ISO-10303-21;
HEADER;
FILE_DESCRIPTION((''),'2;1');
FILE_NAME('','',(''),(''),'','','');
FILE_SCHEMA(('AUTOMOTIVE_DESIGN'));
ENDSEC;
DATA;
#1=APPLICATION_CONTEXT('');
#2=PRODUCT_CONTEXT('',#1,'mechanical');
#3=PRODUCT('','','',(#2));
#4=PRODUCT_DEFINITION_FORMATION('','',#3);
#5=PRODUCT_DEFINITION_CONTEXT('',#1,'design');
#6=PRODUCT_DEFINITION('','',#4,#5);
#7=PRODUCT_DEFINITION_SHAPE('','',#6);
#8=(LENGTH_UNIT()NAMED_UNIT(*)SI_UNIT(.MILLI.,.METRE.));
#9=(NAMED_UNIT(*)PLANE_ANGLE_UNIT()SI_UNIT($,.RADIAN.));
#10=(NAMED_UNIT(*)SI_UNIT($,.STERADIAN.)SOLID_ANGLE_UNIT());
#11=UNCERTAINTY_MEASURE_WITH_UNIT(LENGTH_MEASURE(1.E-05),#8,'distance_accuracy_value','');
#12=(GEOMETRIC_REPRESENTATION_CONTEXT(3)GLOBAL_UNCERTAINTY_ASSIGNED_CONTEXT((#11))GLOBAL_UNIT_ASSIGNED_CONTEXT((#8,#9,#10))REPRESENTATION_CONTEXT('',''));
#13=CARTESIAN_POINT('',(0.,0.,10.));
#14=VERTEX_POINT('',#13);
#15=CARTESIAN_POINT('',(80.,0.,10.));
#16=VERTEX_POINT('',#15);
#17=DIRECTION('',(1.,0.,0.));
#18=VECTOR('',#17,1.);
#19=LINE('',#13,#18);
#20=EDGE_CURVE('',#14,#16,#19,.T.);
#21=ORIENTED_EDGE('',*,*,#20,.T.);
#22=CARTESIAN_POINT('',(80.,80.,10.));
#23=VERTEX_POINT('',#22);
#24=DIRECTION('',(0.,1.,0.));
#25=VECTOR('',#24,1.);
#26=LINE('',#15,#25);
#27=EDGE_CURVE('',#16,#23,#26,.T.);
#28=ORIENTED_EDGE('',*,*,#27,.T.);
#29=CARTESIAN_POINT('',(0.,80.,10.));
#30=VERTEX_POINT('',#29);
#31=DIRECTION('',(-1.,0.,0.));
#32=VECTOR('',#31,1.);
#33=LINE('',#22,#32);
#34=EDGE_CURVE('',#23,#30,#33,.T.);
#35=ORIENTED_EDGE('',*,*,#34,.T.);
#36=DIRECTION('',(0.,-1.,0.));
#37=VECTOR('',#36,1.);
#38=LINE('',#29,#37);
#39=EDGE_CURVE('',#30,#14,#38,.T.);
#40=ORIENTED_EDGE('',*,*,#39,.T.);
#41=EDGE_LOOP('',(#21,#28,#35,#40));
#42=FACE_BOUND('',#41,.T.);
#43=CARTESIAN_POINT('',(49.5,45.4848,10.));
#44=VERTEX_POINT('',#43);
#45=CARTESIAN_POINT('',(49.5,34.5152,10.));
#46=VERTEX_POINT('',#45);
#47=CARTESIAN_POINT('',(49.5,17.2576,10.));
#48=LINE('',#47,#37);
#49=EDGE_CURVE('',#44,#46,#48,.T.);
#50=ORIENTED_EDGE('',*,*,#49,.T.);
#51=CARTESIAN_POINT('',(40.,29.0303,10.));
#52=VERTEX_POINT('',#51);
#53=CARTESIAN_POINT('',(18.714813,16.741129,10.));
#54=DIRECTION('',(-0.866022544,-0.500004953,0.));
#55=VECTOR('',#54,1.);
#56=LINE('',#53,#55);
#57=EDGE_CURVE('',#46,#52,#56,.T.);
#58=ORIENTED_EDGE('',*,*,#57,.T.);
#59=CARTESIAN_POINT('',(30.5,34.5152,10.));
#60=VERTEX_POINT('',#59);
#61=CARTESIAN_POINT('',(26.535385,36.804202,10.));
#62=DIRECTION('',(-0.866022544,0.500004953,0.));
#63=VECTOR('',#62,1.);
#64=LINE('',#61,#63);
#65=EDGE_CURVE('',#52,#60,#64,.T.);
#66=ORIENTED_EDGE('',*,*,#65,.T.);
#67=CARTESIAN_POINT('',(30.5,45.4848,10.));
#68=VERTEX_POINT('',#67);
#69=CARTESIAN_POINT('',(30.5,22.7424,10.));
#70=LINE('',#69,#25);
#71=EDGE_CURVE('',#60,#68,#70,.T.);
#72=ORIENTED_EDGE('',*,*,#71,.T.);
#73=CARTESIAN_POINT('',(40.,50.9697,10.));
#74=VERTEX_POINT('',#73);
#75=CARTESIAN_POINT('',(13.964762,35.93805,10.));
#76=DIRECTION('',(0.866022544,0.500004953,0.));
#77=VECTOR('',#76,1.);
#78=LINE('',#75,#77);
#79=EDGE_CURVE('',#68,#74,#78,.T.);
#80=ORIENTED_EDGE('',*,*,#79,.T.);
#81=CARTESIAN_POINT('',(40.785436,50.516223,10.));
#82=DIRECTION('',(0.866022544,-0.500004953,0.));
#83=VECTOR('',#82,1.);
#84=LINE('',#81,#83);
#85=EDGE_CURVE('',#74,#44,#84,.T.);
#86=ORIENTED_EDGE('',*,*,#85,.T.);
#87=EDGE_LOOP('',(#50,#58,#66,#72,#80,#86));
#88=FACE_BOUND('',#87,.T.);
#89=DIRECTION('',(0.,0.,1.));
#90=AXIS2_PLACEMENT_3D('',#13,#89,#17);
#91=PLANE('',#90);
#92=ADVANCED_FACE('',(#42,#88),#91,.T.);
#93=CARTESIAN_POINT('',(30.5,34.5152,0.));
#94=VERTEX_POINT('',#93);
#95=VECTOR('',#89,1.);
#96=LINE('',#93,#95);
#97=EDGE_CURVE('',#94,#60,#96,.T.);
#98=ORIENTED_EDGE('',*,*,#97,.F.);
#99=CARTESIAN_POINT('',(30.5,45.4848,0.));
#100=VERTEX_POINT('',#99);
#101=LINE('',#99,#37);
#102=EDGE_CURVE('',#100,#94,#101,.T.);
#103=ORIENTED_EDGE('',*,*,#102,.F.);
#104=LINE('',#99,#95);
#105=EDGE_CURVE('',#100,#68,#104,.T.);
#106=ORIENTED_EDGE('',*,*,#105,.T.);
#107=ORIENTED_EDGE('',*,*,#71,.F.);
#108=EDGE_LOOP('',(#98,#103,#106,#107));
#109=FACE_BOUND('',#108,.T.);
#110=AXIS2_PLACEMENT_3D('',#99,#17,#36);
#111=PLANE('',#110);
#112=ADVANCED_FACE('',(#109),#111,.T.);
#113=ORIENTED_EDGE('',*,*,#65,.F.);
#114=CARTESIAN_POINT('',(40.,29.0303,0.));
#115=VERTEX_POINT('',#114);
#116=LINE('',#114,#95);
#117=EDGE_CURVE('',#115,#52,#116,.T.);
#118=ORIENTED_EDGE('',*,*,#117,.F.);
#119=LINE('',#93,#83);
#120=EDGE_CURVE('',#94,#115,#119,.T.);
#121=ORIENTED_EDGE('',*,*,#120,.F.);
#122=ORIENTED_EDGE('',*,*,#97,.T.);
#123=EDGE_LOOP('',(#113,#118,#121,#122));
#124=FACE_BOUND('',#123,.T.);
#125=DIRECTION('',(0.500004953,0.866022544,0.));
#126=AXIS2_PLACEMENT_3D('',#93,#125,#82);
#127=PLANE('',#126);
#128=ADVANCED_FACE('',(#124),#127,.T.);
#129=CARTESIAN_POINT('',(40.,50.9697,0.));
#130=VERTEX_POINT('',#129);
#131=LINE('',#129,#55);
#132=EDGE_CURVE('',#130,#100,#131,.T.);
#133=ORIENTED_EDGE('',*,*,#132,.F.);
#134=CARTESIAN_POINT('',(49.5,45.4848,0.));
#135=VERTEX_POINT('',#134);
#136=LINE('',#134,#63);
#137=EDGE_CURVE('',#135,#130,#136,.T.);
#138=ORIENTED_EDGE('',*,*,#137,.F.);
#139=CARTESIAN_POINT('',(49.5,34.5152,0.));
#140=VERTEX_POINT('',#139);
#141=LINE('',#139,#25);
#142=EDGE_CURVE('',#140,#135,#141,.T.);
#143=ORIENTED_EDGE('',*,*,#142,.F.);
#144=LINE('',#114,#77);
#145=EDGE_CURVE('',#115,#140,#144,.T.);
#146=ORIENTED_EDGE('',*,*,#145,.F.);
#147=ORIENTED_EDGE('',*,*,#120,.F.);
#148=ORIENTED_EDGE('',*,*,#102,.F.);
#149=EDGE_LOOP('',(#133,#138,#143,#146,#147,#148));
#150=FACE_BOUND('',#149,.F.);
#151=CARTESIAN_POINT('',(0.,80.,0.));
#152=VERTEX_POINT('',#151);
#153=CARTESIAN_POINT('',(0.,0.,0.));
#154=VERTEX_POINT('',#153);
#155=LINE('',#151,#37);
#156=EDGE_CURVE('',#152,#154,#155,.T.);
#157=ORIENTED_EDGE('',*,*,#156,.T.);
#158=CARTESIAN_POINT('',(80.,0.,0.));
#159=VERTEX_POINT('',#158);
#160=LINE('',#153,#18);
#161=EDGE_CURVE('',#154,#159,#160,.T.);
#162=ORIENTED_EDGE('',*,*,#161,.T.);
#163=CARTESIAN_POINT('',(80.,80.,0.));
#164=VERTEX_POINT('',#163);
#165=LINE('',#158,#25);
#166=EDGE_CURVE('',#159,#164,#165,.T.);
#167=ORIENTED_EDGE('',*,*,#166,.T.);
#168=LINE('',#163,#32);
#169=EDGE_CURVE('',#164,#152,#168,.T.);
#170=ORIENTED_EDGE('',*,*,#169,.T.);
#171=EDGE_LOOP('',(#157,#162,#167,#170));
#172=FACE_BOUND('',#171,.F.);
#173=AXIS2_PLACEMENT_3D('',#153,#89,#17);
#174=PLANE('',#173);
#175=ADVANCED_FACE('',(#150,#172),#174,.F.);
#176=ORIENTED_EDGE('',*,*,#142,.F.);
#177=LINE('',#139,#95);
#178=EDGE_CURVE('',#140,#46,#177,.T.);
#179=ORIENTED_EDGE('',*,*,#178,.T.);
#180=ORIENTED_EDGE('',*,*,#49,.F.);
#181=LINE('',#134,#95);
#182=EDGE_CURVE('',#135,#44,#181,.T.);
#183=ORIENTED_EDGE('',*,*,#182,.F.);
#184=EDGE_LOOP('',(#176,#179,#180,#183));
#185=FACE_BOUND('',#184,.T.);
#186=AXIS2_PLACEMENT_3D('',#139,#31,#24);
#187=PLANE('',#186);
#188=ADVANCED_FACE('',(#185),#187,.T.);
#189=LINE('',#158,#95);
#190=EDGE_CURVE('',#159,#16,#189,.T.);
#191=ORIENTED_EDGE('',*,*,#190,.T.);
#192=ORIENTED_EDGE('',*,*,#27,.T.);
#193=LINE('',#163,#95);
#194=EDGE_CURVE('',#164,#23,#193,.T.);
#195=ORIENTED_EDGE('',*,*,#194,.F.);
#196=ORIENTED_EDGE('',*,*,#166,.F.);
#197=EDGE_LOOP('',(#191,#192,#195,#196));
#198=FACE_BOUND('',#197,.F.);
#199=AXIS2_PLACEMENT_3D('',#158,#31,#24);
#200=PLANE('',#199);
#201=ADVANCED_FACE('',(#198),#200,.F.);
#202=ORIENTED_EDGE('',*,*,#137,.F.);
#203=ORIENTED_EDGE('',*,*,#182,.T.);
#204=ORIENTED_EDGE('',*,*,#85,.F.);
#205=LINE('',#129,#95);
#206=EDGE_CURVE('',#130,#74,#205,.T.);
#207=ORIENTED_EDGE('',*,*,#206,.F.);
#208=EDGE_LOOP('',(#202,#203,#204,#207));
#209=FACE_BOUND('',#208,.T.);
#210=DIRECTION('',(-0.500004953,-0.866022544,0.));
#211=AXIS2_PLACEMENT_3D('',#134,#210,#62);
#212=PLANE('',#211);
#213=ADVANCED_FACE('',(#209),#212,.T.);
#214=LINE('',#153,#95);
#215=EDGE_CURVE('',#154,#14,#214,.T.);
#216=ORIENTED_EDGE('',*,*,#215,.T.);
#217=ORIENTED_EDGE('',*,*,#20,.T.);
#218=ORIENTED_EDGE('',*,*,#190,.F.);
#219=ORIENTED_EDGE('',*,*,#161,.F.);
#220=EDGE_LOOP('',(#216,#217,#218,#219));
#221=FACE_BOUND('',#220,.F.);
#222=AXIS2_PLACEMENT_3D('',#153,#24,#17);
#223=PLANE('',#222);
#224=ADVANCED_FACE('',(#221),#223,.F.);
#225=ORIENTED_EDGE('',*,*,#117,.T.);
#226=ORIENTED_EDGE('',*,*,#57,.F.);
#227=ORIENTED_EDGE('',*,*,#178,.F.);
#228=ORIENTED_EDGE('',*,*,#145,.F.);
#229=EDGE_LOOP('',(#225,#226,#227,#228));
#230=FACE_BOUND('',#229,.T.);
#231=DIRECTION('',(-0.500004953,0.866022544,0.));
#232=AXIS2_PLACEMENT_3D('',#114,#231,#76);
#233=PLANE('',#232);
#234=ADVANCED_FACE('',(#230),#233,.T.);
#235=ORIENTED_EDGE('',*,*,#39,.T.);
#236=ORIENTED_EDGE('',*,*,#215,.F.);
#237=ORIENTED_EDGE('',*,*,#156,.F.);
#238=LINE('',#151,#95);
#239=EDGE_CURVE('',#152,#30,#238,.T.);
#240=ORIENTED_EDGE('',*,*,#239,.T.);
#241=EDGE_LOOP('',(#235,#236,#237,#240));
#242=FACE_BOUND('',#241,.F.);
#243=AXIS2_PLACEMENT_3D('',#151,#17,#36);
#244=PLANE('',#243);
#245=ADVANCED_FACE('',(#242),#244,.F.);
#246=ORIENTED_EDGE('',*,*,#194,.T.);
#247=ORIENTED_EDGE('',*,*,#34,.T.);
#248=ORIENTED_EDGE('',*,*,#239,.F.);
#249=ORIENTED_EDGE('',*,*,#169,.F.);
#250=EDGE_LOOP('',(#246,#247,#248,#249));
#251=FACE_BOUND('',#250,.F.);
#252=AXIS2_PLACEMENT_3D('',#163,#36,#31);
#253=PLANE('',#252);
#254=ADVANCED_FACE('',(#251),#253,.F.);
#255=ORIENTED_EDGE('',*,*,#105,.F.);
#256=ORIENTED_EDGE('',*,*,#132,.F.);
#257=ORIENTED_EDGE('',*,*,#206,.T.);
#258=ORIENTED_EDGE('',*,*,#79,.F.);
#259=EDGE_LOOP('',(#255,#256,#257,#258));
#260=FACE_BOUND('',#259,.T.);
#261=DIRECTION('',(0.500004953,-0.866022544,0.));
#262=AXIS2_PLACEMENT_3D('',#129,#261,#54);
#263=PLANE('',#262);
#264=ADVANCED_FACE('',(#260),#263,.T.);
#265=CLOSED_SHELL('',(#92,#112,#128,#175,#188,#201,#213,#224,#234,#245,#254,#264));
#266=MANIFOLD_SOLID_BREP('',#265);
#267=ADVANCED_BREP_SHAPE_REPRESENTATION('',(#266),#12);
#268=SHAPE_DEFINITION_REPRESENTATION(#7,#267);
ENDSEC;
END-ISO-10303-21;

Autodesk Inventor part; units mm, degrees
ref_plane "YZ Plane" through (0, 0, 0) normal (1, 0, 0) x (0, 1, 0)
ref_plane "XZ Plane" through (0, 0, 0) normal (0, 1, 0) x (-1, 0, 0)
ref_plane "XY Plane" through (0, 0, 0) normal (0, 0, 1) x (1, 0, 0)
sketch "Sketch1" plane through (0, 0, 0) normal (0, 0, 1) x (1, 0, 0)
  line L0 (0, 0) -> (80, 0)
  line L1 (80, 0) -> (80, 80)
  line L2 (80, 80) -> (0, 80)
  line L3 (0, 80) -> (0, 0)
  dimension "d4" = 80
  dimension "d5" = 80
extrude "Extrusion1" add sketch "Sketch1" along normal blind 10
sketch "Sketch2" plane through (0, 0, 0) normal (0, 0, -1) x (-1, 0, 0)
  line L0 (-49.5, 34.5152) -> (-49.5, 45.4848) projected
  line L1 (-49.5, 45.4848) -> (-40, 50.9697) projected
  line L2 (-40, 50.9697) -> (-30.5, 45.4848) projected
  line L3 (-30.5, 45.4848) -> (-30.5, 34.5152) projected
  line L4 (-30.5, 34.5152) -> (-40, 29.0303) projected
  line L5 (-40, 29.0303) -> (-49.5, 34.5152) projected
  point P0 (0, 0)
extrude "Extrusion2" cut sketch "Sketch2" against normal blind 20
equation "\"d4\" = 2 * nutdist"
equation "\"d5\" = 2 * nutdist"
equation "\"d0\" = nutholdert"
equation "\"d2\" = platft"
equation "\"lcsd\" = 19.05"
equation "\"lcwd1\" = 25"
equation "\"lcwd2\" = 34"
equation "\"lch1\" = 39"
equation "\"lcwd3\" = 43"
equation "\"dia1\" = 6"
equation "\"td\" = 18"
equation "\"bhh\" = 6"
equation "\"sw\" = 25"
equation "\"sh\" = 31"
equation "\"spacert\" = 2"
equation "\"platft\" = 20"
equation "\"pvct\" = 5"
equation "\"dia3\" = 8"
equation "\"dia4\" = 11"
equation "\"tankl\" = 379"
equation "\"play\" = 9"
equation "\"holeh\" = 26"
equation "\"surroundt\" = 5"
equation "\"slack\" = 0.5"
equation "\"play2\" = 3"
equation "\"diawater\" = 25"
equation "\"diaoverflow\" = 25"
equation "\"diaph\" = 32"
equation "\"diacucl\" = 32"
equation "\"diaair\" = 32"
equation "\"diasurroundhole\" = 42"
equation "\"diagrate\" = 12"
equation "\"gratespacing\" = 12.02082"
equation "\"sidedist\" = 13.9375"
equation "\"bottomdist\" = 9.6355"
equation "\"diahcl\" = 32"
equation "\"bracketwtop\" = 6"
equation "\"bracketwbottom\" = 6"
equation "\"nett\" = 1"
equation "\"nethole\" = 16"
equation "\"netside\" = 3.5"
equation "\"nettop\" = 7"
equation "\"netholespacing\" = 2"
equation "\"nutholdert\" = 10"
equation "\"diaetape\" = 32"
equation "\"nutdist\" = 40"
properties part number "platform nut holder" material "PVC-Piping"
